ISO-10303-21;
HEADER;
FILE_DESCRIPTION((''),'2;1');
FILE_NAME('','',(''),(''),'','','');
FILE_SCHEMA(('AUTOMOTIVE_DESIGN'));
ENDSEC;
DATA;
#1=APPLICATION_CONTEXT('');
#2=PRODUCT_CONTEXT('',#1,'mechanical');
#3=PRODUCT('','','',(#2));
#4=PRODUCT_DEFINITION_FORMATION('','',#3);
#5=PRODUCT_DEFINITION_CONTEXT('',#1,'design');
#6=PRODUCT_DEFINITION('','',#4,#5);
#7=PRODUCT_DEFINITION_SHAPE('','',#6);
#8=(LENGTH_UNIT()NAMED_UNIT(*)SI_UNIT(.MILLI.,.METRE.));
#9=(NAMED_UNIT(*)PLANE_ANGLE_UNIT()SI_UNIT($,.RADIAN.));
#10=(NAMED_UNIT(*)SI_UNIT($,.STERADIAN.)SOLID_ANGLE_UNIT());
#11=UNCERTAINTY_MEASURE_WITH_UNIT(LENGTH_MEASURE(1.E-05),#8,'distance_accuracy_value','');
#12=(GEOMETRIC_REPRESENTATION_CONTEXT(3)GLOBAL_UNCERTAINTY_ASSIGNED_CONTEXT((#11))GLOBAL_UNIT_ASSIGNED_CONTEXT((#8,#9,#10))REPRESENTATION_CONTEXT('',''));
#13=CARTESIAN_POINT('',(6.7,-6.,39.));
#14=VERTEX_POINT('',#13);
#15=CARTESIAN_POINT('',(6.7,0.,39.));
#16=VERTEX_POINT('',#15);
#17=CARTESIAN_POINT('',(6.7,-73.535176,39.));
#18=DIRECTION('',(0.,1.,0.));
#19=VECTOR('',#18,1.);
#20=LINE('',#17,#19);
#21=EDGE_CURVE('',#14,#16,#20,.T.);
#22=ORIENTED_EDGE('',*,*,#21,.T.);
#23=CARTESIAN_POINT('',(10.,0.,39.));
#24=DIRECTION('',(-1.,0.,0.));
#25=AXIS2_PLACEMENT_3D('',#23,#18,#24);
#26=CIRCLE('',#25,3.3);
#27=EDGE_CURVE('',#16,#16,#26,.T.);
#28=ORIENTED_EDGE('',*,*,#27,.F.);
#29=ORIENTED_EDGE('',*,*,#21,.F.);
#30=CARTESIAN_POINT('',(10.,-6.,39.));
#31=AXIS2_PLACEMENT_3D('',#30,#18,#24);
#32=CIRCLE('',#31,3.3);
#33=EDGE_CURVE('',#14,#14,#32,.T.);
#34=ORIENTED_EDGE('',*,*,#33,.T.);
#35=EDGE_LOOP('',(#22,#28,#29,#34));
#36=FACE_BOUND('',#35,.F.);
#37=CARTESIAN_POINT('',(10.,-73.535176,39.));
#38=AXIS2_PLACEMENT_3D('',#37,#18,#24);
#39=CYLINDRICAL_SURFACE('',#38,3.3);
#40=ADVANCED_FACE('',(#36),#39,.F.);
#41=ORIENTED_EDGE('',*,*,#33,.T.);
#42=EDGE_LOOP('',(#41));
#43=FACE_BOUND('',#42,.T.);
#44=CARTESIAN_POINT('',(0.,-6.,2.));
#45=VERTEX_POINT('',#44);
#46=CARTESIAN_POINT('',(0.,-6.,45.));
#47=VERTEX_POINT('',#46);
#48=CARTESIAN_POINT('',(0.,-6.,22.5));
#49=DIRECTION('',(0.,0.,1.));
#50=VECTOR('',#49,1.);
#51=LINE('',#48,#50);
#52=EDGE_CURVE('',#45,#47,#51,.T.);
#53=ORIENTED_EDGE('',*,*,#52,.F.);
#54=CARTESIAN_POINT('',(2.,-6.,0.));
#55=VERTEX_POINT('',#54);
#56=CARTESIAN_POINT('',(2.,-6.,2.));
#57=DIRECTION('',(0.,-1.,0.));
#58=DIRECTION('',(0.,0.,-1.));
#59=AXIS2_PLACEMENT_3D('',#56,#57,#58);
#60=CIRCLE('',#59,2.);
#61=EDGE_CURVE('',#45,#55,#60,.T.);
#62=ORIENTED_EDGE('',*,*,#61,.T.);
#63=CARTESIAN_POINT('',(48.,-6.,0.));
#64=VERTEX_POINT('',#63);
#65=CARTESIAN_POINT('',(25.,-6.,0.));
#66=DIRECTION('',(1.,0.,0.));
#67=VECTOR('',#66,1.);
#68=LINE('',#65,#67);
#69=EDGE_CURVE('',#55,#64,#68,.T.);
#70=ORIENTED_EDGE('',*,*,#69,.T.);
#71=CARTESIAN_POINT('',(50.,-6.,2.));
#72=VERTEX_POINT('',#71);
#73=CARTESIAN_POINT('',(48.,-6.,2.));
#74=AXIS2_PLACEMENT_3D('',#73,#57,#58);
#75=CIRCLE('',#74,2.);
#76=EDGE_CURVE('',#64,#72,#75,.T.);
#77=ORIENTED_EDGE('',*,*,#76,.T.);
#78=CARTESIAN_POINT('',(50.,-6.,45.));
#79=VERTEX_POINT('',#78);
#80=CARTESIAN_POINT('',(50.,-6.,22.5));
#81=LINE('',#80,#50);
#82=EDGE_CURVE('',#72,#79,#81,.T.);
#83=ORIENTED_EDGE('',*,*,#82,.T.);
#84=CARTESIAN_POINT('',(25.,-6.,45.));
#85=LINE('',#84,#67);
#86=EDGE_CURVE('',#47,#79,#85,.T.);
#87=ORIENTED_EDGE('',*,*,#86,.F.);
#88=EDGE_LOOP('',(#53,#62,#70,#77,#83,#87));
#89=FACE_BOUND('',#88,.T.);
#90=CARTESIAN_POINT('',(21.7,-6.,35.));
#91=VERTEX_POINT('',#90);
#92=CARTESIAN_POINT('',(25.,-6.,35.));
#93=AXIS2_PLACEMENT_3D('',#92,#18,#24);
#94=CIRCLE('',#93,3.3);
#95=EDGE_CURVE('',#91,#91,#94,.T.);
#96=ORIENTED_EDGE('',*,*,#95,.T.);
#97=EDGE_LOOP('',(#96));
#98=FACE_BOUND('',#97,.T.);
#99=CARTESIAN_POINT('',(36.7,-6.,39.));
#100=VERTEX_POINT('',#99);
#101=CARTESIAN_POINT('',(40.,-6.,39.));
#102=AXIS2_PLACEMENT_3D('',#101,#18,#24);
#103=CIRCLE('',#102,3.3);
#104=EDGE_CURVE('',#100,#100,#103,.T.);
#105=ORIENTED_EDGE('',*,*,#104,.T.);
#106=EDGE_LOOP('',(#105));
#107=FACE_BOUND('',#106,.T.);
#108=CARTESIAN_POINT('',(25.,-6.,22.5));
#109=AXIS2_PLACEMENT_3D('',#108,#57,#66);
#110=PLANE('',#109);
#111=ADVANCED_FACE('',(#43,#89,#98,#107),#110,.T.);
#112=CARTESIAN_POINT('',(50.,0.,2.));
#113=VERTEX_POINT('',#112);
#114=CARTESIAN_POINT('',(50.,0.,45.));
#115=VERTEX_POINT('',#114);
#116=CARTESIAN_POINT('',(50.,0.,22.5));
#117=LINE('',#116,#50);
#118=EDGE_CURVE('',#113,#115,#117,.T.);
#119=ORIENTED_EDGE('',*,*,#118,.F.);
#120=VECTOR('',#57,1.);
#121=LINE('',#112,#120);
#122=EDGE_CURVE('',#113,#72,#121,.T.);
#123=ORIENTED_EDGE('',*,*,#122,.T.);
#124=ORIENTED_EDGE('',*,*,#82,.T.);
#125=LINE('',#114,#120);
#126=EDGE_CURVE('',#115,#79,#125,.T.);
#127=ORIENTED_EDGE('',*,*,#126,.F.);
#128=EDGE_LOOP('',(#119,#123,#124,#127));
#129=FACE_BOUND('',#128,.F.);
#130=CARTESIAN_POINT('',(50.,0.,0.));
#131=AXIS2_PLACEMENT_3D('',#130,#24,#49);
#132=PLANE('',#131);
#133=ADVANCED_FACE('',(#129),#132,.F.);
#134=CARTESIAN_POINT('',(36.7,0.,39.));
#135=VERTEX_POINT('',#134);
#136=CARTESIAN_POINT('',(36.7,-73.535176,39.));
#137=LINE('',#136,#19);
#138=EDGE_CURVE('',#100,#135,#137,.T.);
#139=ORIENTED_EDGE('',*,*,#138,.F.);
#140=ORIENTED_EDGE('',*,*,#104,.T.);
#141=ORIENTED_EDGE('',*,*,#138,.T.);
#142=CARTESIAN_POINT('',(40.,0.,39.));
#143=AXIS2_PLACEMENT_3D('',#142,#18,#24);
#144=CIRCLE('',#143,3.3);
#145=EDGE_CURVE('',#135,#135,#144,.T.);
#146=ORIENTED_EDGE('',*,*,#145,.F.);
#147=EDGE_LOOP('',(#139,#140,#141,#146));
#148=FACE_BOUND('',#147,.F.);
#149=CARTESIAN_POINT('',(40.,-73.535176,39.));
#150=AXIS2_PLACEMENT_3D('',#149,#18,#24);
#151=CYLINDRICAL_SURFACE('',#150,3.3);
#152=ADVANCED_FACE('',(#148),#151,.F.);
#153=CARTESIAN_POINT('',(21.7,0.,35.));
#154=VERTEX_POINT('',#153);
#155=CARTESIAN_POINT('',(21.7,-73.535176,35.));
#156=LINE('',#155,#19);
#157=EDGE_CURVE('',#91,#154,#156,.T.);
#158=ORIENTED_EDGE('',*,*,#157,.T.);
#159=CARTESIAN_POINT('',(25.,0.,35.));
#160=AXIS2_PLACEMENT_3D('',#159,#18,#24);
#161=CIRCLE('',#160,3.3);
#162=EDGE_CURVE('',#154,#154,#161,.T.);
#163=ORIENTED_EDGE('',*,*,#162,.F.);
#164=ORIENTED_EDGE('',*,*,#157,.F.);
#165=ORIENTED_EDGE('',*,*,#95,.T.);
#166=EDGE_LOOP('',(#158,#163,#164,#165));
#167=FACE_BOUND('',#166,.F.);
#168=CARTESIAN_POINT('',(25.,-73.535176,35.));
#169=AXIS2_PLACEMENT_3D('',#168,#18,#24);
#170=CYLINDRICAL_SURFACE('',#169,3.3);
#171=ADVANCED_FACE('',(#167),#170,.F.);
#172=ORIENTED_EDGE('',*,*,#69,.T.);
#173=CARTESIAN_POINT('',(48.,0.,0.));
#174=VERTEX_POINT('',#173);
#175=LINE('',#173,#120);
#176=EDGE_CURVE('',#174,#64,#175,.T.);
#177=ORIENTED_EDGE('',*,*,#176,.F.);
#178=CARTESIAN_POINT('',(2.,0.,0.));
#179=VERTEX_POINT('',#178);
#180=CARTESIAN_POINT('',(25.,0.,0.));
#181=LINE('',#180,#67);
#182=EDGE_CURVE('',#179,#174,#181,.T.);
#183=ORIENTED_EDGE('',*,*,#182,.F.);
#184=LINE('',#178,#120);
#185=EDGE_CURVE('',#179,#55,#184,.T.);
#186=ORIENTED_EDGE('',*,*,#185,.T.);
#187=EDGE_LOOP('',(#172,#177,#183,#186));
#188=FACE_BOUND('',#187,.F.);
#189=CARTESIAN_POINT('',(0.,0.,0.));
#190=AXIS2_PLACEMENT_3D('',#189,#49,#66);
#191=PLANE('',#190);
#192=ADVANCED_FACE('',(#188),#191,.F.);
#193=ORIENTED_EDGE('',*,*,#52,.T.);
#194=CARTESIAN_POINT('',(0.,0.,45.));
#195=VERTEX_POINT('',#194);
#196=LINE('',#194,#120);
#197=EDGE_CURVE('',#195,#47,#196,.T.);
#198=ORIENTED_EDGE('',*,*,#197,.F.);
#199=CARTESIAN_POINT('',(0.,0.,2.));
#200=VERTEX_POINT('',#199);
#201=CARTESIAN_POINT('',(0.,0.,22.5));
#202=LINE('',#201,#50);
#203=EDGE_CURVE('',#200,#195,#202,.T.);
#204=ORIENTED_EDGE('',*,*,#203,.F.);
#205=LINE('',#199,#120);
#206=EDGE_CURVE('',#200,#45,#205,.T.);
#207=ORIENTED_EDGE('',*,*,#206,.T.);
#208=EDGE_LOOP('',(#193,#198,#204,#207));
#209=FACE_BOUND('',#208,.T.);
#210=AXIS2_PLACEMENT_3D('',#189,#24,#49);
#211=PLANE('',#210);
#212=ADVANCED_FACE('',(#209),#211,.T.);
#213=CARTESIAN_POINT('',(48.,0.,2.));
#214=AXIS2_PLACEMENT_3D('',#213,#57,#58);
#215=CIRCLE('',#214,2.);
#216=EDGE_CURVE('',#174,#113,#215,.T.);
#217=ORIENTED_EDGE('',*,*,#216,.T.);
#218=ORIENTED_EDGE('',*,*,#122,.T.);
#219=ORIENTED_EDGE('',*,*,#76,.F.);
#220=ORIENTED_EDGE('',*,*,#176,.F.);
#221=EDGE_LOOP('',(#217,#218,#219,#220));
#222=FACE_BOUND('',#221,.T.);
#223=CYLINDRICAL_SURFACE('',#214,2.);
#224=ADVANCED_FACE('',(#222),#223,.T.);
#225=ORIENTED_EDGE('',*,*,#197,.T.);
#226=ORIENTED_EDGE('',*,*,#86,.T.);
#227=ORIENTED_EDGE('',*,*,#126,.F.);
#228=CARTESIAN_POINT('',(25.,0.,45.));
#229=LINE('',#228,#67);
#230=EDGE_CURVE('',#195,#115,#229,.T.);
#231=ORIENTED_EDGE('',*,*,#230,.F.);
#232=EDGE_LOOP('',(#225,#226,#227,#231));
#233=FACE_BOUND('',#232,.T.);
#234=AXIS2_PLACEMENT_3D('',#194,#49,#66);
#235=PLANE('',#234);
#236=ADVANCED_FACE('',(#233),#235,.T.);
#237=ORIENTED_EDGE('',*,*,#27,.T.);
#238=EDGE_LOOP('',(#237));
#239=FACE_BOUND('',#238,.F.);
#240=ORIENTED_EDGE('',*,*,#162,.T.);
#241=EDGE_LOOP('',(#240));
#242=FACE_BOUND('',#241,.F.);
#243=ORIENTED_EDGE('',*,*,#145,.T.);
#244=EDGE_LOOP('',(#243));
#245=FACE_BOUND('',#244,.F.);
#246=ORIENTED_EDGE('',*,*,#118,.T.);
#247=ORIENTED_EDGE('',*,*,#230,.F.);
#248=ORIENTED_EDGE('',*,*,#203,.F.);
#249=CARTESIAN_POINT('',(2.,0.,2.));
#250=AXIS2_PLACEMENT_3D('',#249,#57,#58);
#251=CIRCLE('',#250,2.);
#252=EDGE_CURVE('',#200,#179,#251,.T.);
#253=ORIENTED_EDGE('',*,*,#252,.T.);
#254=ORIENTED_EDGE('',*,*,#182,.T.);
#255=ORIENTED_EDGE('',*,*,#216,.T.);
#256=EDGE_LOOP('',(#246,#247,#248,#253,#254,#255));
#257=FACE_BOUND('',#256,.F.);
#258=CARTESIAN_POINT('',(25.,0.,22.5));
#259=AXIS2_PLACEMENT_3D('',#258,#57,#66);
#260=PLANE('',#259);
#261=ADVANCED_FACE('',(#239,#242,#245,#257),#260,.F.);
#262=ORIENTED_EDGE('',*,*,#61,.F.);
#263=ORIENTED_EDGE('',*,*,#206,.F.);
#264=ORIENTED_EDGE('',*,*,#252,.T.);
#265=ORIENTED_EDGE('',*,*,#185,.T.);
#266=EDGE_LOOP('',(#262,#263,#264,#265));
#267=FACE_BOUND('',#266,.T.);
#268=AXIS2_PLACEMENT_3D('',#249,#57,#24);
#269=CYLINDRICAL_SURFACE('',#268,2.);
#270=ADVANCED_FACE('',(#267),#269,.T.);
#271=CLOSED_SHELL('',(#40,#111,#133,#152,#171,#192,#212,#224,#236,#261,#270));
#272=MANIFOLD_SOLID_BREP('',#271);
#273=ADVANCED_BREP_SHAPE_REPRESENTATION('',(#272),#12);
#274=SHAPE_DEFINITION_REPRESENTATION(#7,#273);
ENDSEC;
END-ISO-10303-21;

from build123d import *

# Parameters (mm, degrees)
F0_W     = 50
F0_H     = 45
F1_DEPTH = 6
F3_D     = 6.6
F4_R     = 2


with BuildPart() as f1:
    # F0 (on Front) → F1 (new body)
    with BuildSketch(Plane.XZ):
        with Locations((25, 22.5)):
            Rectangle(F0_W, F0_H)
    extrude(amount=F1_DEPTH)

    # F3 (through all)
    with Locations(Plane.XZ.offset(6)):
        with Locations((10, 39), (25, 35), (40, 39)):
            Hole(F3_D / 2)

    # F4
    f4_edges = [f1.edges().sort_by_distance(p)[0] for p in [
        (50, -3, 0),
        (0, -3, 0),
    ]]
    fillet(f4_edges, radius=F4_R)


solid = f1.part
